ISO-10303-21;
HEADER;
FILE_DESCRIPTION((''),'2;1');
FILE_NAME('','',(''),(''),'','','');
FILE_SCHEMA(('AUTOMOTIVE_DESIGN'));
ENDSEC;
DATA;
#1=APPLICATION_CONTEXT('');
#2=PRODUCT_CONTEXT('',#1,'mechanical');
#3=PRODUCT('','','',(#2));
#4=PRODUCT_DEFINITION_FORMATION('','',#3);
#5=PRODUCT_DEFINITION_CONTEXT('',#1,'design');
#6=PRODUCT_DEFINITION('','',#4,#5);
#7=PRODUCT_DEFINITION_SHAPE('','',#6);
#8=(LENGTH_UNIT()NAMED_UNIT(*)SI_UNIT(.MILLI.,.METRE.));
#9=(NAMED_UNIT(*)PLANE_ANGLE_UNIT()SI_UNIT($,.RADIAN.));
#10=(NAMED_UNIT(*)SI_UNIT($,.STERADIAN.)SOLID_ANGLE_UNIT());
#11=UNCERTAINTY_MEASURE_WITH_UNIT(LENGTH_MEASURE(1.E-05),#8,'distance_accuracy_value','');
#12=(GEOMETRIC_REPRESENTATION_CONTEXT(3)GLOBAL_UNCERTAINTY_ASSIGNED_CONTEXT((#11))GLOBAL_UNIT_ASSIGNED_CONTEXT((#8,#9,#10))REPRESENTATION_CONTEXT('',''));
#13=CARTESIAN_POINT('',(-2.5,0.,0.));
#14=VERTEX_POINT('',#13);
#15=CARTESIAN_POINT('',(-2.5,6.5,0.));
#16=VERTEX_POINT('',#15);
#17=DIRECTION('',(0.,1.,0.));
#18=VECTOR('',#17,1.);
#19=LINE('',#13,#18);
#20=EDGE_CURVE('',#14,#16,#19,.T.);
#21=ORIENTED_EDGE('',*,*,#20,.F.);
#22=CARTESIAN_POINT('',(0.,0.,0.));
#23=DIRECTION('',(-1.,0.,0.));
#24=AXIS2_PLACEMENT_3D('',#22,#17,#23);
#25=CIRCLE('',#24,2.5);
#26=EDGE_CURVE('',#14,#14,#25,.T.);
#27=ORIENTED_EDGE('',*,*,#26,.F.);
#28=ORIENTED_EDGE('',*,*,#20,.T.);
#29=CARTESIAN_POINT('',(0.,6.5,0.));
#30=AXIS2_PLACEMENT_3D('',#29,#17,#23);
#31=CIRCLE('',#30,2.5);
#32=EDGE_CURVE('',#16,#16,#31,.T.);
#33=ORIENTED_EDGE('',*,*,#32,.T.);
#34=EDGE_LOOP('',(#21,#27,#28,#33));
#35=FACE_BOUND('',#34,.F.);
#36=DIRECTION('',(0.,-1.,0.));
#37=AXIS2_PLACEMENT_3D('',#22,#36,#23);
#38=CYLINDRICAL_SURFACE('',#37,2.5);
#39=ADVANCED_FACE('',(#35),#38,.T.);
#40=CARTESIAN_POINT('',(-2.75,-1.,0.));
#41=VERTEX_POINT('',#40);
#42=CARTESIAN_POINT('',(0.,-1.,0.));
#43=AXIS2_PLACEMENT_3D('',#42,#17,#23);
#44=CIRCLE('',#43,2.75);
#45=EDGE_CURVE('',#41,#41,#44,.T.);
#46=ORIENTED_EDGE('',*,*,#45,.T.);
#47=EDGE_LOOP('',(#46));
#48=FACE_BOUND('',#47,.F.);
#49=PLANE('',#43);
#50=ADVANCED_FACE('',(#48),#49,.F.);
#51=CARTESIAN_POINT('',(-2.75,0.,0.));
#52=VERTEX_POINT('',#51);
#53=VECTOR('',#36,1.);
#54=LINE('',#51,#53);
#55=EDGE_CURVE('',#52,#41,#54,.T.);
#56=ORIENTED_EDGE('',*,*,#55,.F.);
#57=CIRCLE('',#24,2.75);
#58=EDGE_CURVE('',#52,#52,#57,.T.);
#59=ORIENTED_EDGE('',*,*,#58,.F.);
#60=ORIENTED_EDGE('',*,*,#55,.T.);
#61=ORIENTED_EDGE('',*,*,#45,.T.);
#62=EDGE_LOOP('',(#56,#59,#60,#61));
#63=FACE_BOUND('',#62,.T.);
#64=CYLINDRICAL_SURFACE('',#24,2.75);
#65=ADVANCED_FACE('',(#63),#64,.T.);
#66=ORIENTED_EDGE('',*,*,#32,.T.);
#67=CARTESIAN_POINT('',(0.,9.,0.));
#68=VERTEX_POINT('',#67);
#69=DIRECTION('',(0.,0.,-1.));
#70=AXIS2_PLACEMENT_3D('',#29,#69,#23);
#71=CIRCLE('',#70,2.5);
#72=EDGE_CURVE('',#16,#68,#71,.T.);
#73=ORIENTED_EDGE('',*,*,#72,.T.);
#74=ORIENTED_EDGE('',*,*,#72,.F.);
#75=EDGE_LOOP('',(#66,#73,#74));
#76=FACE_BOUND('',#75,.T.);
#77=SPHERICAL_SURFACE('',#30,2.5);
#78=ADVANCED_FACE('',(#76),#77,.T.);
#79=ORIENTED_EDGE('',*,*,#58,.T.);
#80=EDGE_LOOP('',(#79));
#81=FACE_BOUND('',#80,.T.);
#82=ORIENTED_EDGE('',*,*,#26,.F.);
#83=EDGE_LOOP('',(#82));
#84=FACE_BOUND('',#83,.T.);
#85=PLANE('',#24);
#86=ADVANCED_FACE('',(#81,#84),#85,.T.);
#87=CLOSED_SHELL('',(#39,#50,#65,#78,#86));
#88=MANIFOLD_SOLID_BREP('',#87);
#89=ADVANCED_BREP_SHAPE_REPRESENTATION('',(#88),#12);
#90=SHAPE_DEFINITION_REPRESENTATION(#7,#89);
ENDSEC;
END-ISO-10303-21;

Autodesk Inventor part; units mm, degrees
ref_plane "YZ Plane" through (0, 0, 0) normal (1, 0, 0) x (0, 1, 0)
ref_plane "XZ Plane" through (0, 0, 0) normal (0, 1, 0) x (-1, 0, 0)
ref_plane "XY Plane" through (0, 0, 0) normal (0, 0, 1) x (1, 0, 0)
sketch "Skizze2" plane through (0, 0, 0) normal (0, 1, 0) x (-1, 0, 0)
  circle A0 centre (0, 0) radius 2.5
  circle A1 centre (0, 0) radius 2.75
  dimension "d0" = 5
  dimension "d4" = 0.25
extrude "Extrusion1" add sketch "Skizze2" along normal blind 9 contours A0
fillet "Rundung1" radius 2.5 1 edges at (2.5, 9, 0)
extrude "Extrusion2" add sketch "Skizze2" against normal blind 1 contours A0 | A1
properties part number "Head" material "Glas"
